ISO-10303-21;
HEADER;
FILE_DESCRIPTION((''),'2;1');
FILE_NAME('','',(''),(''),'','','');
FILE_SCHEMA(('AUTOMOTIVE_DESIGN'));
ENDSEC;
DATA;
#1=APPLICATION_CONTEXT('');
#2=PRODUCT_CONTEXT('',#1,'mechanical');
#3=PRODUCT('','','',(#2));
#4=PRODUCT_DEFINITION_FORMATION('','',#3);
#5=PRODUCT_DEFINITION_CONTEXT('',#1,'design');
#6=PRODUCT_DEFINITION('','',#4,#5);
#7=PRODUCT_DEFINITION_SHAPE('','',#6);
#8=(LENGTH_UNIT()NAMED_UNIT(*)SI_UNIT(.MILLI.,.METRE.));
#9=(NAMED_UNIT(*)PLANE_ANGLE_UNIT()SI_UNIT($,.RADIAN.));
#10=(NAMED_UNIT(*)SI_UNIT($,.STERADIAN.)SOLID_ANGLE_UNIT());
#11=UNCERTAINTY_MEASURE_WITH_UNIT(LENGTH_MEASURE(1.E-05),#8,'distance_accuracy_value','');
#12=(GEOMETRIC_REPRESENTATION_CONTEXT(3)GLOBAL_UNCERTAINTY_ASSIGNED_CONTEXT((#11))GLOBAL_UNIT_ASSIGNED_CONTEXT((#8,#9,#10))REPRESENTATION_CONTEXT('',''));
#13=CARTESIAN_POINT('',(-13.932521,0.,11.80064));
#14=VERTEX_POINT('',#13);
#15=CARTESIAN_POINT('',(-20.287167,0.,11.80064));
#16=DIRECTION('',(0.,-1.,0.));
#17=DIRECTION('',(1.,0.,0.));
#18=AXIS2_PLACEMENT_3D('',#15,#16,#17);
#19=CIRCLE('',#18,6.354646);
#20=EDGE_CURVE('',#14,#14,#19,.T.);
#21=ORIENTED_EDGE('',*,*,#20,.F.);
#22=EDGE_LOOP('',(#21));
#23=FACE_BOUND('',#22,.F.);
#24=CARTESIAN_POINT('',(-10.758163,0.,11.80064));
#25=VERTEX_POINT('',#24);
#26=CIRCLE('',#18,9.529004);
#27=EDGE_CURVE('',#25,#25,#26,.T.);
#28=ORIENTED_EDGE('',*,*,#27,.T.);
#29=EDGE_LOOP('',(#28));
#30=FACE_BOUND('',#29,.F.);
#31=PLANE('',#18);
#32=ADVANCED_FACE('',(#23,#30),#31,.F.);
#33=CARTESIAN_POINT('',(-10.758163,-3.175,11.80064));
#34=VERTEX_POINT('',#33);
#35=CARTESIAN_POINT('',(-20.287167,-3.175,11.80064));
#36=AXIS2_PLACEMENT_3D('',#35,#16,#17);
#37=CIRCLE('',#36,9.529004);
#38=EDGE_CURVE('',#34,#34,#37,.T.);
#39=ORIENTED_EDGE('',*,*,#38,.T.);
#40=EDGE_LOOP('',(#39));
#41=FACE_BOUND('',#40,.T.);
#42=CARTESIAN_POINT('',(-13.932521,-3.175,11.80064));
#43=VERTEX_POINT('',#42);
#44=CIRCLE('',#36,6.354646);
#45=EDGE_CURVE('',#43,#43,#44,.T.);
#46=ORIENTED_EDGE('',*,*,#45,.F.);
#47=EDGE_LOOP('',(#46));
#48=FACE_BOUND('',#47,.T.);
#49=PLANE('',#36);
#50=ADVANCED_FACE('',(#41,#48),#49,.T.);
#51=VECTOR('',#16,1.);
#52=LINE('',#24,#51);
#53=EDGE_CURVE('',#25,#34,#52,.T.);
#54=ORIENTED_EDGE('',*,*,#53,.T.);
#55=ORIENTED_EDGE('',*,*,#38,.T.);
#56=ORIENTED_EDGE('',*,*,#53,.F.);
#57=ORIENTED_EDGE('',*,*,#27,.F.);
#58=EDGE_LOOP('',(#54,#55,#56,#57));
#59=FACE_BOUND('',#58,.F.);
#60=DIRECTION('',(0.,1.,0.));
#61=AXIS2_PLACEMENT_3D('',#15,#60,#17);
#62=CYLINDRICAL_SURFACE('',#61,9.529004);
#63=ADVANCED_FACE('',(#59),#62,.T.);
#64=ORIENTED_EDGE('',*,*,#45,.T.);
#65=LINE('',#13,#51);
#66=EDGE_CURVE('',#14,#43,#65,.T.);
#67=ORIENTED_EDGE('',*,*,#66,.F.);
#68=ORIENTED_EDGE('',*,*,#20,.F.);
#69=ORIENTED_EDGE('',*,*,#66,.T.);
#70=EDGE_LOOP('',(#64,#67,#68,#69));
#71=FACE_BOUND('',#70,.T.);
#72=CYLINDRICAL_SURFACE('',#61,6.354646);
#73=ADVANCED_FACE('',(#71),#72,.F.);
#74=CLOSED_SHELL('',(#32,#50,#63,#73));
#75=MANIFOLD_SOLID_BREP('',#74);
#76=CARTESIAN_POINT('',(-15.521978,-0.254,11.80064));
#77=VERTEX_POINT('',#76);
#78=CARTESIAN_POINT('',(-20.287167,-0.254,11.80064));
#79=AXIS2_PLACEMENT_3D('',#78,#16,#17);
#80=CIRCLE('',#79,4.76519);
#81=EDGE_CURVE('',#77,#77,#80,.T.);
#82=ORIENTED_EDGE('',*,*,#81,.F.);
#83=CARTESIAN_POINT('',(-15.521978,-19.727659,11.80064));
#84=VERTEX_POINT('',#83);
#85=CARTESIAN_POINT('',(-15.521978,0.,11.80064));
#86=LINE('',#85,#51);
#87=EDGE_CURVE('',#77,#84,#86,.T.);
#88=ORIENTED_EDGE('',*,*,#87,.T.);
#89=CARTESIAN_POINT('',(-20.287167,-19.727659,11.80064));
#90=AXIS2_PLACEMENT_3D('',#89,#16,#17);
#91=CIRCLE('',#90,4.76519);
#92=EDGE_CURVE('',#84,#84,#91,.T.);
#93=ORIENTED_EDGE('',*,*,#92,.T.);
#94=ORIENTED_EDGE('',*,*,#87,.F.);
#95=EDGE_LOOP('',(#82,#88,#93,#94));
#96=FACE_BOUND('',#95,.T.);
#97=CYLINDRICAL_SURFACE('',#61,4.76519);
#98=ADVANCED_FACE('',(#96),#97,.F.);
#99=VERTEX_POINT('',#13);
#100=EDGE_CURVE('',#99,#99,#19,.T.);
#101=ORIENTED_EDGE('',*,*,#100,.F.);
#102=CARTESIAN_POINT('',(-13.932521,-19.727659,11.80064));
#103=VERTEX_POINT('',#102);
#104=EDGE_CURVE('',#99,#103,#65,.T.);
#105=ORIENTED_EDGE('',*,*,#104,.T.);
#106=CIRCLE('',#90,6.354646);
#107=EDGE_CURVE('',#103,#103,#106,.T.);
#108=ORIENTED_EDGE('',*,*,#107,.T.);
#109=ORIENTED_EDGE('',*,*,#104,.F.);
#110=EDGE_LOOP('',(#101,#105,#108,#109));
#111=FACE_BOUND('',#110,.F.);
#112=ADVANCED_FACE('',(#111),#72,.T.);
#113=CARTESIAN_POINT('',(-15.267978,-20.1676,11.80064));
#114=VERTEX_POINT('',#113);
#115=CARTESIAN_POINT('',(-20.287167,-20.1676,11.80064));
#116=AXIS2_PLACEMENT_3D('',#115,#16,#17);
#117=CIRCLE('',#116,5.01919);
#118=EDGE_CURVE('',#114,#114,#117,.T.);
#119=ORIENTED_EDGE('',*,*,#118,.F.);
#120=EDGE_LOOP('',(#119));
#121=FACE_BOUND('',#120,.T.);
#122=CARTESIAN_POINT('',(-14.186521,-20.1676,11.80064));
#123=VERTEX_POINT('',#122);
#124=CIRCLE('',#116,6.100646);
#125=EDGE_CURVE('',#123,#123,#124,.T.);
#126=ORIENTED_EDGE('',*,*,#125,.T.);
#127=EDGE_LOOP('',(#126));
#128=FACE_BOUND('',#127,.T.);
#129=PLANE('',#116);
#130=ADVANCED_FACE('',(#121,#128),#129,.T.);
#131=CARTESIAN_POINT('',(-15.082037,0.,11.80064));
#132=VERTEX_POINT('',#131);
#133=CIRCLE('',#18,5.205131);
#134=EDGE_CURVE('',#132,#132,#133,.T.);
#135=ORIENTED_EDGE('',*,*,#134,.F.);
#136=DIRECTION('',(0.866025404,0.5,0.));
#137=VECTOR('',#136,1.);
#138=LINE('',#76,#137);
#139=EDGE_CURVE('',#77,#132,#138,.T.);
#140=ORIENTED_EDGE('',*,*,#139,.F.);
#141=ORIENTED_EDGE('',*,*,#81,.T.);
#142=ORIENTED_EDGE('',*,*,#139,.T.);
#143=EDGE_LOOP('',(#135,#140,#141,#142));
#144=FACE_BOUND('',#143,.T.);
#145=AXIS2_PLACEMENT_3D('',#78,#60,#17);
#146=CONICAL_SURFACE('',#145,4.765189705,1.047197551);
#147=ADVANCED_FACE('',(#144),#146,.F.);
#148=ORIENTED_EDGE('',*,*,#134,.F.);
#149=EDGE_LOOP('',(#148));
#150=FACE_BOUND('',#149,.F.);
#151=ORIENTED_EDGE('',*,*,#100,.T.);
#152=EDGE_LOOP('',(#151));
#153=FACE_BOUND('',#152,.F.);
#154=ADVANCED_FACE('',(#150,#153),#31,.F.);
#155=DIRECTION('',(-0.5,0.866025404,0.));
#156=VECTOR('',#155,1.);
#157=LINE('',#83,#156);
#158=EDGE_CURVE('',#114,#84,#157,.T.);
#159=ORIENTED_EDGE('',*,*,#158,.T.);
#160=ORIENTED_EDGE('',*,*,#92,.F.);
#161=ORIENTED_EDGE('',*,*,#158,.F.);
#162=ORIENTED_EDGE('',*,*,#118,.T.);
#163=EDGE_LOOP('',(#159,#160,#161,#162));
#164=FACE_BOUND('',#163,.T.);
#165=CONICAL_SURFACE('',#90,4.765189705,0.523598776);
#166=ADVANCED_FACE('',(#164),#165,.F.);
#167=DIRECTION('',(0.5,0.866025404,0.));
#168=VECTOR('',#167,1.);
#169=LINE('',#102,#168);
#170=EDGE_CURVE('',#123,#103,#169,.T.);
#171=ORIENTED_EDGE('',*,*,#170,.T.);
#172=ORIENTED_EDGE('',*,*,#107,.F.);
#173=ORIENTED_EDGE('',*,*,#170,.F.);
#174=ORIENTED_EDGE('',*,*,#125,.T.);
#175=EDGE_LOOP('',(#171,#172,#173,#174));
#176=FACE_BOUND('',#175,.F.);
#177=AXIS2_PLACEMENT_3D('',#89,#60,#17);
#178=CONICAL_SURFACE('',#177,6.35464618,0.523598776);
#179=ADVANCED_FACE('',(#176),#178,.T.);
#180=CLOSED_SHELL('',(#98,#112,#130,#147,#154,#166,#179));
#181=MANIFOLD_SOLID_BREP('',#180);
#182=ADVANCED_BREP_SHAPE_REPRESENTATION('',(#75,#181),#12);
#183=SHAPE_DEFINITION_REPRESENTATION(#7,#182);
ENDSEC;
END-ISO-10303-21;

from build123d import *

# Parameters (mm, degrees)
F0_R     = 6.3546461802
F0_R_2   = 4.7651897048
F1_DEPTH = 20.1676
F0_R_3   = 9.5290040224
F2_DEPTH = 3.175
F3_SIZE2 = 0.4399409051
F3_SIZE  = 0.254
F4_SIZE2 = 0.4399409051
F4_SIZE  = 0.254
F5_SIZE2 = 0.4399409051
F5_SIZE  = 0.254


with BuildPart() as f1:
    # F0 (on Front) → F1 (new body)
    with BuildSketch(Plane.XZ):
        with Locations((-20.2871672809, 11.8006402627)):
            Circle(F0_R)
        with Locations((-20.2871672809, 11.8006402627)):
            Circle(F0_R_2, mode=Mode.SUBTRACT)
    extrude(amount=F1_DEPTH)

    # F3
    f3_edges = [f1.edges().sort_by_distance(p)[0] for p in [
        (-26.641813, -20.1676, 11.80064),
    ]]
    f3_side = f1.faces().sort_by_distance((-26.462077, -20.1676, 11.80064))[0]
    chamfer(f3_edges, length=F3_SIZE, length2=F3_SIZE2, reference=f3_side)

    # F4
    f4_edges = [f1.edges().sort_by_distance(p)[0] for p in [
        (-25.052357, -20.1676, 11.80064),
    ]]
    f4_side = f1.faces().sort_by_distance((-26.215261, -20.1676, 11.80064))[0]
    chamfer(f4_edges, length=F4_SIZE, length2=F4_SIZE2, reference=f4_side)

    # F5
    f5_edges = [f1.edges().sort_by_distance(p)[0] for p in [
        (-25.052357, 0, 11.80064),
    ]]
    f5_side = f1.faces().sort_by_distance((-25.052357, -9.86383, 11.80064))[0]
    chamfer(f5_edges, length=F5_SIZE, length2=F5_SIZE2, reference=f5_side)


with BuildPart() as f2:
    # F0 (on Front) → F2 (new body)
    with BuildSketch(Plane.XZ):
        with Locations((-20.2871672809, 11.8006402627)):
            Circle(F0_R_3)
        with Locations((-20.2871672809, 11.8006402627)):
            Circle(F0_R, mode=Mode.SUBTRACT)
    extrude(amount=F2_DEPTH)


solid = Compound([f1.part, f2.part])
